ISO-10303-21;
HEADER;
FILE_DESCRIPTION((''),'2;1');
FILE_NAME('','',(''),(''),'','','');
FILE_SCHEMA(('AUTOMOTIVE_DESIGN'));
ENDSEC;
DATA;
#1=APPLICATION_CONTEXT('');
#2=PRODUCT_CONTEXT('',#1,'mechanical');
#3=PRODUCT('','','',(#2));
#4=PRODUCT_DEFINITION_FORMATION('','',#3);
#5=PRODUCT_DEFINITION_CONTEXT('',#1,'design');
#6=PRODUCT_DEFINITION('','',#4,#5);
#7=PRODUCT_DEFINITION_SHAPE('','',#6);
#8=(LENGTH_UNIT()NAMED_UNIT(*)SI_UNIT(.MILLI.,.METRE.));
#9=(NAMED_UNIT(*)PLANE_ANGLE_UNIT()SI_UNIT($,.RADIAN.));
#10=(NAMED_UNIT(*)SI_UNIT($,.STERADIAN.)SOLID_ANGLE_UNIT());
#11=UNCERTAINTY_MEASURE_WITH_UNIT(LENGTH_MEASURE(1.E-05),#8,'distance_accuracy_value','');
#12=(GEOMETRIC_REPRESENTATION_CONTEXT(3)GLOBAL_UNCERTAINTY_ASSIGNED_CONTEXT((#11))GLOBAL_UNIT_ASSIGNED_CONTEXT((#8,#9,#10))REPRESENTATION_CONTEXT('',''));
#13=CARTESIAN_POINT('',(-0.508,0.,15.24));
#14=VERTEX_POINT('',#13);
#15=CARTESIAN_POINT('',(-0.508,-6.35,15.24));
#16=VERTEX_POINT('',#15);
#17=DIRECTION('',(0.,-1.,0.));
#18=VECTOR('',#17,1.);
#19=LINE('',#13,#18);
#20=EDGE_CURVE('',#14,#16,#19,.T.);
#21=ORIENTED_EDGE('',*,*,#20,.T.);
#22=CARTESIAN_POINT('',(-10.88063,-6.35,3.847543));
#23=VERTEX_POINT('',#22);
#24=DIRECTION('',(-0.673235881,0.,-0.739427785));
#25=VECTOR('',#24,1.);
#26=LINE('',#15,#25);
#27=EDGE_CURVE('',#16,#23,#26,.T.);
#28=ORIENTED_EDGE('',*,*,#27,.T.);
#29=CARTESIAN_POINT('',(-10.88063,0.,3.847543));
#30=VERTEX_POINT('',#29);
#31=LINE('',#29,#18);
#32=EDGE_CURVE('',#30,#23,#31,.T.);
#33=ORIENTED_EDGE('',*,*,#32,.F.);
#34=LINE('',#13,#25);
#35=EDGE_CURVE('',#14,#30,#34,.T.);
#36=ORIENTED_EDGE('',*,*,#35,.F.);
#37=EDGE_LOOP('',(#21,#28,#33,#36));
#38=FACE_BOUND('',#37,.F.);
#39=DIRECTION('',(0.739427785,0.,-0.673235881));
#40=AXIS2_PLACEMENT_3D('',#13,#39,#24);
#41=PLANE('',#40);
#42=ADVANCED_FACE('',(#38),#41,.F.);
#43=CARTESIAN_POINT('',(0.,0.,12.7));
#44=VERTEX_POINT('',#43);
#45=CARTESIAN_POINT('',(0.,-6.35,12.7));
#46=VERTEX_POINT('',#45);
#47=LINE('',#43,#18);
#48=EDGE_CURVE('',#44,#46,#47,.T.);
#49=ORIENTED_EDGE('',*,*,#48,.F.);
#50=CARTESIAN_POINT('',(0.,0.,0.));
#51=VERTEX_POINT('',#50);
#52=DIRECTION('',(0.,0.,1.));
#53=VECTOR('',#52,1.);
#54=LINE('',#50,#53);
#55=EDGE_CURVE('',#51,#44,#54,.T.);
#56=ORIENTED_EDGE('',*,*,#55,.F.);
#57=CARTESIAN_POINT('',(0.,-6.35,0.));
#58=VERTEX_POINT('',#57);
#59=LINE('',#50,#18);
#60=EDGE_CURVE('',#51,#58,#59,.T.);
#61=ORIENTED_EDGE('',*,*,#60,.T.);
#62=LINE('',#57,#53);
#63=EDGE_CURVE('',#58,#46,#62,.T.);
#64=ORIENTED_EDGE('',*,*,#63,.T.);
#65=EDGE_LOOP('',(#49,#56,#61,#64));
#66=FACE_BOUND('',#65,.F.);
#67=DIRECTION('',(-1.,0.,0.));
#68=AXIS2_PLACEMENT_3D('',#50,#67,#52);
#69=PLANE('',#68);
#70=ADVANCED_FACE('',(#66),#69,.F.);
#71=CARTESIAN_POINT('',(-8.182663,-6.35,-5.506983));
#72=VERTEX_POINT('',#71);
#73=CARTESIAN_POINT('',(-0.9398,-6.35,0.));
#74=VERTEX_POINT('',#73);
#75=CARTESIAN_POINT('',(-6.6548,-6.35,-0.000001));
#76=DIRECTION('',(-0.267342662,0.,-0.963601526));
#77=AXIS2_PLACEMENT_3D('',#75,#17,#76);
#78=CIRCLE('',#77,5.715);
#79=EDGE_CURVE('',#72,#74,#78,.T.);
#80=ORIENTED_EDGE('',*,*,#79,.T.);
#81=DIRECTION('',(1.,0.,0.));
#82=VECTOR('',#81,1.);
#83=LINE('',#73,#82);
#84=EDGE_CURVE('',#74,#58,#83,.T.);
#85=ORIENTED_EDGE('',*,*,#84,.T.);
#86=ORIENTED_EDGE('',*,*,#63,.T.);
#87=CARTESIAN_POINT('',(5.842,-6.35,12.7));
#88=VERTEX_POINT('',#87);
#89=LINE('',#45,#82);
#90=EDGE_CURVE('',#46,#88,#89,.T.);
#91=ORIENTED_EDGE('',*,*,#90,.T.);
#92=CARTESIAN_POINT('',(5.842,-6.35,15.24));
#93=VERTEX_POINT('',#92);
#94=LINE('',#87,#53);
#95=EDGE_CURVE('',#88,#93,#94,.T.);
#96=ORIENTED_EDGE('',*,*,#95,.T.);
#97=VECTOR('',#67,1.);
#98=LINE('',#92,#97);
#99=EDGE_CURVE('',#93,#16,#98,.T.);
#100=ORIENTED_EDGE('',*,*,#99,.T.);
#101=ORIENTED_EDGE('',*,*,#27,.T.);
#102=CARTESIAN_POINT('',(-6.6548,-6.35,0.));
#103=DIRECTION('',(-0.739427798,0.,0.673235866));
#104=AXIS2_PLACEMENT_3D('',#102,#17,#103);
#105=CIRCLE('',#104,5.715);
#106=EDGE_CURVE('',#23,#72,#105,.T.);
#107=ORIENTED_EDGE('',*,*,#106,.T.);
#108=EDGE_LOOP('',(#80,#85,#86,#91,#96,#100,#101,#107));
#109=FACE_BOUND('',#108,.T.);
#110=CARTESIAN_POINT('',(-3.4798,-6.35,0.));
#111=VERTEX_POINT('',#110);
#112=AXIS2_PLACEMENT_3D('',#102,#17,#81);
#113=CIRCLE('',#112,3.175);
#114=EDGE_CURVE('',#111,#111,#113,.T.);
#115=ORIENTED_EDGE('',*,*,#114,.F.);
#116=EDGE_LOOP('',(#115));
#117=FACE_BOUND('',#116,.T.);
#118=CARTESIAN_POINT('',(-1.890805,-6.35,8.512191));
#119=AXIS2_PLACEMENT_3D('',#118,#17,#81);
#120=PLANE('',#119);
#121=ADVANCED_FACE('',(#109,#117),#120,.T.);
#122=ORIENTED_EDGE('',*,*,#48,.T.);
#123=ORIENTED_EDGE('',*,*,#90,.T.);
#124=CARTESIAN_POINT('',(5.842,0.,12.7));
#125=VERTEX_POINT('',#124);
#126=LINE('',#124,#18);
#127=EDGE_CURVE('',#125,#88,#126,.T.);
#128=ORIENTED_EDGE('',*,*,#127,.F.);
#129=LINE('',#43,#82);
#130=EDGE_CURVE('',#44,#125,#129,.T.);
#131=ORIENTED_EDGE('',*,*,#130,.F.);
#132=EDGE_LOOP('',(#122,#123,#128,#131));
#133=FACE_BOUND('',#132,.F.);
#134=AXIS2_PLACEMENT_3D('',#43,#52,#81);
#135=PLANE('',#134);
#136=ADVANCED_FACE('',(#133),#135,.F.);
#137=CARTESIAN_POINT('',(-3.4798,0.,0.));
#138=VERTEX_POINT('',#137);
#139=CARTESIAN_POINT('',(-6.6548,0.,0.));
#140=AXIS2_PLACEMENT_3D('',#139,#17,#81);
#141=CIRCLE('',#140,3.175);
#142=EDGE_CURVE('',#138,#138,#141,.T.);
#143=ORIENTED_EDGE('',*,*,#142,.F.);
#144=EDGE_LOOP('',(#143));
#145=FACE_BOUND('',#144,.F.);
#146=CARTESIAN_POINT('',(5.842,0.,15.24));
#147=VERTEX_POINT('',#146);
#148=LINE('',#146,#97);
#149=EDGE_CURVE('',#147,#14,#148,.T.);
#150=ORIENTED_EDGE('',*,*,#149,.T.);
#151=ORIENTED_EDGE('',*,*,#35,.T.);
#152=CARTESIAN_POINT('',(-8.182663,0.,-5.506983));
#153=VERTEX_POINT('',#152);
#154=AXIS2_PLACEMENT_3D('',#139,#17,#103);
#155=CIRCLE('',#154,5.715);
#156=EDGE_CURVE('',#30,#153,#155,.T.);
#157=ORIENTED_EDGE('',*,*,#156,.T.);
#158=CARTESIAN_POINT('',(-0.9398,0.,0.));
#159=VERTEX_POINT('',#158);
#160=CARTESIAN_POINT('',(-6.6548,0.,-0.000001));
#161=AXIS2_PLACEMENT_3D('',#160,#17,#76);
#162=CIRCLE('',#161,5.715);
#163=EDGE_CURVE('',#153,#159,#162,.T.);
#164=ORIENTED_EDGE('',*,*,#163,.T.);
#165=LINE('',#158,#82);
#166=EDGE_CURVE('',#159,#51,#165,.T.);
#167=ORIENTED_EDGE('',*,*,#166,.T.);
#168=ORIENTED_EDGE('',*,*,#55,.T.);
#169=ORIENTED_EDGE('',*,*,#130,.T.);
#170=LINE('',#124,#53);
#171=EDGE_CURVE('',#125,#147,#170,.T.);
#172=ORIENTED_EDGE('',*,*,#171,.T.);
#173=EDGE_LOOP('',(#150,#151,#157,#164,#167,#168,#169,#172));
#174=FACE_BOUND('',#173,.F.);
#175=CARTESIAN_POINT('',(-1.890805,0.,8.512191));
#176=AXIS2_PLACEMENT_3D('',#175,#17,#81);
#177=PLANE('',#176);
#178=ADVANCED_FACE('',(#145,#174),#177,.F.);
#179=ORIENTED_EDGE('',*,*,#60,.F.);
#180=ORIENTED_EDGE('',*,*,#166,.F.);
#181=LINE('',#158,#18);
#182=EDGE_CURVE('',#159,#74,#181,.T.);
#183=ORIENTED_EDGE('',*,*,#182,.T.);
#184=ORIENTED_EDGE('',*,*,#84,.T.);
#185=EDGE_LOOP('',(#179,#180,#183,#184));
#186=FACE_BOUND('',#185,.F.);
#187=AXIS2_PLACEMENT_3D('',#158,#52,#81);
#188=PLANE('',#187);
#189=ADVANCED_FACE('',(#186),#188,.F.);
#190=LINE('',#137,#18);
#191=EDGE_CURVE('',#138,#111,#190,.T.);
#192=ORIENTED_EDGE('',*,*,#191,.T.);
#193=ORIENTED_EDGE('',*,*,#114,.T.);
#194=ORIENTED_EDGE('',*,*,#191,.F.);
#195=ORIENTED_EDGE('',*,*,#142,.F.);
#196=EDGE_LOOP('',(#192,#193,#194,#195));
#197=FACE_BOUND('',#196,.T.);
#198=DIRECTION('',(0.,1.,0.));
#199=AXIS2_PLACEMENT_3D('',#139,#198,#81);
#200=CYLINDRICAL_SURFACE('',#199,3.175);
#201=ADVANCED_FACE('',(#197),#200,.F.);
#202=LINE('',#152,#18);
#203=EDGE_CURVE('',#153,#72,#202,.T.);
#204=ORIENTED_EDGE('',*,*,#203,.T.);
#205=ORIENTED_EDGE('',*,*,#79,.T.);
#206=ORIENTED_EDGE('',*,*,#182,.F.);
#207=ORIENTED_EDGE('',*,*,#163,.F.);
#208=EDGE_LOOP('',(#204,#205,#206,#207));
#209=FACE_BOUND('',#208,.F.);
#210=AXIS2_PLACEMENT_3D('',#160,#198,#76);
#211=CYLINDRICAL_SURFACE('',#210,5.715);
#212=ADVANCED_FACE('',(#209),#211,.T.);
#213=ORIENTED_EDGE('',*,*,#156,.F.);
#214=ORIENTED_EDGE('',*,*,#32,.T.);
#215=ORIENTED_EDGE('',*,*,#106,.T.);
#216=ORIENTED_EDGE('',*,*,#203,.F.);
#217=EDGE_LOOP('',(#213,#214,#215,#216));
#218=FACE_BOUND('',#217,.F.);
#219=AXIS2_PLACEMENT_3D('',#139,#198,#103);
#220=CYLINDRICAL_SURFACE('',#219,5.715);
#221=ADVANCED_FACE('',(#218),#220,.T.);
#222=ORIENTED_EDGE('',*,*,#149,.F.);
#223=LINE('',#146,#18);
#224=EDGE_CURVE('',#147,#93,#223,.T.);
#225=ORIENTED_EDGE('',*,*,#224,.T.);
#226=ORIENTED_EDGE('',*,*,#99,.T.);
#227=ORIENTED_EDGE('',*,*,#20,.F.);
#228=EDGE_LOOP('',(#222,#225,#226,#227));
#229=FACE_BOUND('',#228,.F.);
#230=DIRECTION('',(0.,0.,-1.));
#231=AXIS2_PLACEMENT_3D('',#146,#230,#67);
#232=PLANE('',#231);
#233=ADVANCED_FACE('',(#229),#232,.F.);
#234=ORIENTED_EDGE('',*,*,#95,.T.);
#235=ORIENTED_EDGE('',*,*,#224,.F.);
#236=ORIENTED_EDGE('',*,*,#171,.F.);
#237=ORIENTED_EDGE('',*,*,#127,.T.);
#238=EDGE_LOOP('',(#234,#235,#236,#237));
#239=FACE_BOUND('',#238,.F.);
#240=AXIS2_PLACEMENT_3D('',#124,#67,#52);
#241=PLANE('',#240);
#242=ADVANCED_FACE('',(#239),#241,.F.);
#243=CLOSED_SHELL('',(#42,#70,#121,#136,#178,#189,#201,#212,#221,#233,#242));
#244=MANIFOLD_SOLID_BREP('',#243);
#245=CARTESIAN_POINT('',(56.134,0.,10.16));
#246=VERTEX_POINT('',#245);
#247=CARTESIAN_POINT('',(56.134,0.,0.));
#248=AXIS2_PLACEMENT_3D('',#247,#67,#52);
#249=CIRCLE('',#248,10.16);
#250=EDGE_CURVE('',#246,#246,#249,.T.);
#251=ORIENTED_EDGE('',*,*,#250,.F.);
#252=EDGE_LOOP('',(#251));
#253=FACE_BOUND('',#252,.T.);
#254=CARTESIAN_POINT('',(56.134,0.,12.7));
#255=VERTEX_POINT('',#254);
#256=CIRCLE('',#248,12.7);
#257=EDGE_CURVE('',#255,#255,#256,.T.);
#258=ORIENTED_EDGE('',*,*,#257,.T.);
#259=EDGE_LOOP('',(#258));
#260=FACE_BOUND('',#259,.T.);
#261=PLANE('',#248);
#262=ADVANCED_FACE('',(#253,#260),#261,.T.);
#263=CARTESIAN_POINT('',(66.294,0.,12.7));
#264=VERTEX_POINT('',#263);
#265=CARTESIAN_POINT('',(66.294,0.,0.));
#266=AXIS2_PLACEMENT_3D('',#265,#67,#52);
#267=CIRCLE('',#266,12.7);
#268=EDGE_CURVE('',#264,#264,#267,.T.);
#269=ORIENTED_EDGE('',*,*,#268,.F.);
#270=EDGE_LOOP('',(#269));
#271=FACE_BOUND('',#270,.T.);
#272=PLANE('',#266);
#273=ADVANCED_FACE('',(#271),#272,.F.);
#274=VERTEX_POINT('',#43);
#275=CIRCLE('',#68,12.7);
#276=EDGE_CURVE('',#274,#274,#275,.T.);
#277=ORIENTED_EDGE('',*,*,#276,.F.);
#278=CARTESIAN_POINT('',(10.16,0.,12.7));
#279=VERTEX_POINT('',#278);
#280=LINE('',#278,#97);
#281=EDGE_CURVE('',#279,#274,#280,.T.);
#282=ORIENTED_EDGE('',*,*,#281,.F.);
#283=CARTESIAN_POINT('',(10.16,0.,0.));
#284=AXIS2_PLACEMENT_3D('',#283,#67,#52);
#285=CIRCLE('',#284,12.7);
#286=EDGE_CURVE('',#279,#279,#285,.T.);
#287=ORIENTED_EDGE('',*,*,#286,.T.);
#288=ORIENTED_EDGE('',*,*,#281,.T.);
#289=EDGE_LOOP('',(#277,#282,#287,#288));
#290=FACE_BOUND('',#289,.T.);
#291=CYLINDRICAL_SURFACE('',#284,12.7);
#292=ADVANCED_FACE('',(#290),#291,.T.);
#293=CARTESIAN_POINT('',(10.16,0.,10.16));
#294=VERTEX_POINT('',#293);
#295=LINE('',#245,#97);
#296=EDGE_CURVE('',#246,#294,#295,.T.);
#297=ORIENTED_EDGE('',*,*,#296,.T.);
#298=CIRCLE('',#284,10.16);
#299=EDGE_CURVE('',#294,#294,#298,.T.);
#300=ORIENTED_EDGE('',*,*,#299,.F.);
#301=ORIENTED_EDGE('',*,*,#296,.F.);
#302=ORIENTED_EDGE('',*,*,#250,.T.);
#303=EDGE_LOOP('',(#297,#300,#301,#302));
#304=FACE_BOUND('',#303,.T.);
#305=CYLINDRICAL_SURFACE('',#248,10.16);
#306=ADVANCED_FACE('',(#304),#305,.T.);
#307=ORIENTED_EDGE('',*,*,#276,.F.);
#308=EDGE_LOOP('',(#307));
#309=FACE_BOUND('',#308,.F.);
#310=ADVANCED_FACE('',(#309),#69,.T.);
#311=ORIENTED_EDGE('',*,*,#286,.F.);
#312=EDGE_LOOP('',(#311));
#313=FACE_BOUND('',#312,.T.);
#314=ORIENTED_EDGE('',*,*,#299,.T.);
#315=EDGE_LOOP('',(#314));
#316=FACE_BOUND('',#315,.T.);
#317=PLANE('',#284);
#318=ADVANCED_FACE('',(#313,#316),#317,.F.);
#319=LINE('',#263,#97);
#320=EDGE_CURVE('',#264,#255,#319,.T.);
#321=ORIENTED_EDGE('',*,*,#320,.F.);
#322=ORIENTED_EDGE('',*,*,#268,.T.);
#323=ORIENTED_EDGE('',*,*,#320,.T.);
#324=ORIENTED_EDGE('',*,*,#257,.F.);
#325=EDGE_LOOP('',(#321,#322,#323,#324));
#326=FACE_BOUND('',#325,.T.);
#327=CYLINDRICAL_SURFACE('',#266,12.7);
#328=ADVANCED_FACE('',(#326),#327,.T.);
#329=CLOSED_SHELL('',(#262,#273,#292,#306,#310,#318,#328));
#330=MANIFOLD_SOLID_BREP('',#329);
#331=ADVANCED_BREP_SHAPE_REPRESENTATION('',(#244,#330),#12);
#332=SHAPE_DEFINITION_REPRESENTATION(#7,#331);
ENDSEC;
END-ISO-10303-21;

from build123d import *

# Parameters (mm, degrees)
F0_W     = 5.842
F0_H     = 12.7
F0_R     = 3.175
F2_DEPTH = 6.35


with BuildPart() as f1:
    # F0 (on Front) → F1 (revolve)
    with BuildSketch(Plane.XZ):
        Polygon((5.842, 12.7), (5.842, 0), (66.294, 0), (66.294, 12.7), (56.134, 12.7), (56.134, 10.16), (10.16, 10.16), (10.16, 12.7), align=None)
        with Locations((2.921, 6.35)):
            Rectangle(F0_W, F0_H)
    revolve(axis=Axis((33.147, 0, 0), (-1, 0, 0)))


with BuildPart() as f2:
    # F0 (on Front) → F2 (new body)
    with BuildSketch(Plane.XZ):
        with BuildLine():
            Line((-0.9398, 0), (0, 0))
            Line((0, 0), (0, 12.7))
            Line((0, 12.7), (5.842, 12.7))
            Line((5.842, 12.7), (5.842, 15.24))
            Line((5.842, 15.24), (-0.508, 15.24))
            Line((-0.508, 15.24), (-10.88063, 3.847543))
            ThreePointArc((-10.88063, 3.847543), (-4.591961, 5.329721), (-0.9398, 0))
        make_face()
        with BuildLine():
            ThreePointArc((-8.182663, -5.506983), (-3.195791, -4.549339), (-0.9398, 0))
            ThreePointArc((-0.9398, 0), (-4.591961, 5.329721), (-10.88063, 3.847543))
            ThreePointArc((-10.88063, 3.847543), (-12.145978, -1.583727), (-8.182663, -5.506983))
        make_face()
        with Locations((-6.6548, 0)):
            Circle(F0_R, mode=Mode.SUBTRACT)
    extrude(amount=F2_DEPTH)


solid = Compound([f1.part, f2.part])
